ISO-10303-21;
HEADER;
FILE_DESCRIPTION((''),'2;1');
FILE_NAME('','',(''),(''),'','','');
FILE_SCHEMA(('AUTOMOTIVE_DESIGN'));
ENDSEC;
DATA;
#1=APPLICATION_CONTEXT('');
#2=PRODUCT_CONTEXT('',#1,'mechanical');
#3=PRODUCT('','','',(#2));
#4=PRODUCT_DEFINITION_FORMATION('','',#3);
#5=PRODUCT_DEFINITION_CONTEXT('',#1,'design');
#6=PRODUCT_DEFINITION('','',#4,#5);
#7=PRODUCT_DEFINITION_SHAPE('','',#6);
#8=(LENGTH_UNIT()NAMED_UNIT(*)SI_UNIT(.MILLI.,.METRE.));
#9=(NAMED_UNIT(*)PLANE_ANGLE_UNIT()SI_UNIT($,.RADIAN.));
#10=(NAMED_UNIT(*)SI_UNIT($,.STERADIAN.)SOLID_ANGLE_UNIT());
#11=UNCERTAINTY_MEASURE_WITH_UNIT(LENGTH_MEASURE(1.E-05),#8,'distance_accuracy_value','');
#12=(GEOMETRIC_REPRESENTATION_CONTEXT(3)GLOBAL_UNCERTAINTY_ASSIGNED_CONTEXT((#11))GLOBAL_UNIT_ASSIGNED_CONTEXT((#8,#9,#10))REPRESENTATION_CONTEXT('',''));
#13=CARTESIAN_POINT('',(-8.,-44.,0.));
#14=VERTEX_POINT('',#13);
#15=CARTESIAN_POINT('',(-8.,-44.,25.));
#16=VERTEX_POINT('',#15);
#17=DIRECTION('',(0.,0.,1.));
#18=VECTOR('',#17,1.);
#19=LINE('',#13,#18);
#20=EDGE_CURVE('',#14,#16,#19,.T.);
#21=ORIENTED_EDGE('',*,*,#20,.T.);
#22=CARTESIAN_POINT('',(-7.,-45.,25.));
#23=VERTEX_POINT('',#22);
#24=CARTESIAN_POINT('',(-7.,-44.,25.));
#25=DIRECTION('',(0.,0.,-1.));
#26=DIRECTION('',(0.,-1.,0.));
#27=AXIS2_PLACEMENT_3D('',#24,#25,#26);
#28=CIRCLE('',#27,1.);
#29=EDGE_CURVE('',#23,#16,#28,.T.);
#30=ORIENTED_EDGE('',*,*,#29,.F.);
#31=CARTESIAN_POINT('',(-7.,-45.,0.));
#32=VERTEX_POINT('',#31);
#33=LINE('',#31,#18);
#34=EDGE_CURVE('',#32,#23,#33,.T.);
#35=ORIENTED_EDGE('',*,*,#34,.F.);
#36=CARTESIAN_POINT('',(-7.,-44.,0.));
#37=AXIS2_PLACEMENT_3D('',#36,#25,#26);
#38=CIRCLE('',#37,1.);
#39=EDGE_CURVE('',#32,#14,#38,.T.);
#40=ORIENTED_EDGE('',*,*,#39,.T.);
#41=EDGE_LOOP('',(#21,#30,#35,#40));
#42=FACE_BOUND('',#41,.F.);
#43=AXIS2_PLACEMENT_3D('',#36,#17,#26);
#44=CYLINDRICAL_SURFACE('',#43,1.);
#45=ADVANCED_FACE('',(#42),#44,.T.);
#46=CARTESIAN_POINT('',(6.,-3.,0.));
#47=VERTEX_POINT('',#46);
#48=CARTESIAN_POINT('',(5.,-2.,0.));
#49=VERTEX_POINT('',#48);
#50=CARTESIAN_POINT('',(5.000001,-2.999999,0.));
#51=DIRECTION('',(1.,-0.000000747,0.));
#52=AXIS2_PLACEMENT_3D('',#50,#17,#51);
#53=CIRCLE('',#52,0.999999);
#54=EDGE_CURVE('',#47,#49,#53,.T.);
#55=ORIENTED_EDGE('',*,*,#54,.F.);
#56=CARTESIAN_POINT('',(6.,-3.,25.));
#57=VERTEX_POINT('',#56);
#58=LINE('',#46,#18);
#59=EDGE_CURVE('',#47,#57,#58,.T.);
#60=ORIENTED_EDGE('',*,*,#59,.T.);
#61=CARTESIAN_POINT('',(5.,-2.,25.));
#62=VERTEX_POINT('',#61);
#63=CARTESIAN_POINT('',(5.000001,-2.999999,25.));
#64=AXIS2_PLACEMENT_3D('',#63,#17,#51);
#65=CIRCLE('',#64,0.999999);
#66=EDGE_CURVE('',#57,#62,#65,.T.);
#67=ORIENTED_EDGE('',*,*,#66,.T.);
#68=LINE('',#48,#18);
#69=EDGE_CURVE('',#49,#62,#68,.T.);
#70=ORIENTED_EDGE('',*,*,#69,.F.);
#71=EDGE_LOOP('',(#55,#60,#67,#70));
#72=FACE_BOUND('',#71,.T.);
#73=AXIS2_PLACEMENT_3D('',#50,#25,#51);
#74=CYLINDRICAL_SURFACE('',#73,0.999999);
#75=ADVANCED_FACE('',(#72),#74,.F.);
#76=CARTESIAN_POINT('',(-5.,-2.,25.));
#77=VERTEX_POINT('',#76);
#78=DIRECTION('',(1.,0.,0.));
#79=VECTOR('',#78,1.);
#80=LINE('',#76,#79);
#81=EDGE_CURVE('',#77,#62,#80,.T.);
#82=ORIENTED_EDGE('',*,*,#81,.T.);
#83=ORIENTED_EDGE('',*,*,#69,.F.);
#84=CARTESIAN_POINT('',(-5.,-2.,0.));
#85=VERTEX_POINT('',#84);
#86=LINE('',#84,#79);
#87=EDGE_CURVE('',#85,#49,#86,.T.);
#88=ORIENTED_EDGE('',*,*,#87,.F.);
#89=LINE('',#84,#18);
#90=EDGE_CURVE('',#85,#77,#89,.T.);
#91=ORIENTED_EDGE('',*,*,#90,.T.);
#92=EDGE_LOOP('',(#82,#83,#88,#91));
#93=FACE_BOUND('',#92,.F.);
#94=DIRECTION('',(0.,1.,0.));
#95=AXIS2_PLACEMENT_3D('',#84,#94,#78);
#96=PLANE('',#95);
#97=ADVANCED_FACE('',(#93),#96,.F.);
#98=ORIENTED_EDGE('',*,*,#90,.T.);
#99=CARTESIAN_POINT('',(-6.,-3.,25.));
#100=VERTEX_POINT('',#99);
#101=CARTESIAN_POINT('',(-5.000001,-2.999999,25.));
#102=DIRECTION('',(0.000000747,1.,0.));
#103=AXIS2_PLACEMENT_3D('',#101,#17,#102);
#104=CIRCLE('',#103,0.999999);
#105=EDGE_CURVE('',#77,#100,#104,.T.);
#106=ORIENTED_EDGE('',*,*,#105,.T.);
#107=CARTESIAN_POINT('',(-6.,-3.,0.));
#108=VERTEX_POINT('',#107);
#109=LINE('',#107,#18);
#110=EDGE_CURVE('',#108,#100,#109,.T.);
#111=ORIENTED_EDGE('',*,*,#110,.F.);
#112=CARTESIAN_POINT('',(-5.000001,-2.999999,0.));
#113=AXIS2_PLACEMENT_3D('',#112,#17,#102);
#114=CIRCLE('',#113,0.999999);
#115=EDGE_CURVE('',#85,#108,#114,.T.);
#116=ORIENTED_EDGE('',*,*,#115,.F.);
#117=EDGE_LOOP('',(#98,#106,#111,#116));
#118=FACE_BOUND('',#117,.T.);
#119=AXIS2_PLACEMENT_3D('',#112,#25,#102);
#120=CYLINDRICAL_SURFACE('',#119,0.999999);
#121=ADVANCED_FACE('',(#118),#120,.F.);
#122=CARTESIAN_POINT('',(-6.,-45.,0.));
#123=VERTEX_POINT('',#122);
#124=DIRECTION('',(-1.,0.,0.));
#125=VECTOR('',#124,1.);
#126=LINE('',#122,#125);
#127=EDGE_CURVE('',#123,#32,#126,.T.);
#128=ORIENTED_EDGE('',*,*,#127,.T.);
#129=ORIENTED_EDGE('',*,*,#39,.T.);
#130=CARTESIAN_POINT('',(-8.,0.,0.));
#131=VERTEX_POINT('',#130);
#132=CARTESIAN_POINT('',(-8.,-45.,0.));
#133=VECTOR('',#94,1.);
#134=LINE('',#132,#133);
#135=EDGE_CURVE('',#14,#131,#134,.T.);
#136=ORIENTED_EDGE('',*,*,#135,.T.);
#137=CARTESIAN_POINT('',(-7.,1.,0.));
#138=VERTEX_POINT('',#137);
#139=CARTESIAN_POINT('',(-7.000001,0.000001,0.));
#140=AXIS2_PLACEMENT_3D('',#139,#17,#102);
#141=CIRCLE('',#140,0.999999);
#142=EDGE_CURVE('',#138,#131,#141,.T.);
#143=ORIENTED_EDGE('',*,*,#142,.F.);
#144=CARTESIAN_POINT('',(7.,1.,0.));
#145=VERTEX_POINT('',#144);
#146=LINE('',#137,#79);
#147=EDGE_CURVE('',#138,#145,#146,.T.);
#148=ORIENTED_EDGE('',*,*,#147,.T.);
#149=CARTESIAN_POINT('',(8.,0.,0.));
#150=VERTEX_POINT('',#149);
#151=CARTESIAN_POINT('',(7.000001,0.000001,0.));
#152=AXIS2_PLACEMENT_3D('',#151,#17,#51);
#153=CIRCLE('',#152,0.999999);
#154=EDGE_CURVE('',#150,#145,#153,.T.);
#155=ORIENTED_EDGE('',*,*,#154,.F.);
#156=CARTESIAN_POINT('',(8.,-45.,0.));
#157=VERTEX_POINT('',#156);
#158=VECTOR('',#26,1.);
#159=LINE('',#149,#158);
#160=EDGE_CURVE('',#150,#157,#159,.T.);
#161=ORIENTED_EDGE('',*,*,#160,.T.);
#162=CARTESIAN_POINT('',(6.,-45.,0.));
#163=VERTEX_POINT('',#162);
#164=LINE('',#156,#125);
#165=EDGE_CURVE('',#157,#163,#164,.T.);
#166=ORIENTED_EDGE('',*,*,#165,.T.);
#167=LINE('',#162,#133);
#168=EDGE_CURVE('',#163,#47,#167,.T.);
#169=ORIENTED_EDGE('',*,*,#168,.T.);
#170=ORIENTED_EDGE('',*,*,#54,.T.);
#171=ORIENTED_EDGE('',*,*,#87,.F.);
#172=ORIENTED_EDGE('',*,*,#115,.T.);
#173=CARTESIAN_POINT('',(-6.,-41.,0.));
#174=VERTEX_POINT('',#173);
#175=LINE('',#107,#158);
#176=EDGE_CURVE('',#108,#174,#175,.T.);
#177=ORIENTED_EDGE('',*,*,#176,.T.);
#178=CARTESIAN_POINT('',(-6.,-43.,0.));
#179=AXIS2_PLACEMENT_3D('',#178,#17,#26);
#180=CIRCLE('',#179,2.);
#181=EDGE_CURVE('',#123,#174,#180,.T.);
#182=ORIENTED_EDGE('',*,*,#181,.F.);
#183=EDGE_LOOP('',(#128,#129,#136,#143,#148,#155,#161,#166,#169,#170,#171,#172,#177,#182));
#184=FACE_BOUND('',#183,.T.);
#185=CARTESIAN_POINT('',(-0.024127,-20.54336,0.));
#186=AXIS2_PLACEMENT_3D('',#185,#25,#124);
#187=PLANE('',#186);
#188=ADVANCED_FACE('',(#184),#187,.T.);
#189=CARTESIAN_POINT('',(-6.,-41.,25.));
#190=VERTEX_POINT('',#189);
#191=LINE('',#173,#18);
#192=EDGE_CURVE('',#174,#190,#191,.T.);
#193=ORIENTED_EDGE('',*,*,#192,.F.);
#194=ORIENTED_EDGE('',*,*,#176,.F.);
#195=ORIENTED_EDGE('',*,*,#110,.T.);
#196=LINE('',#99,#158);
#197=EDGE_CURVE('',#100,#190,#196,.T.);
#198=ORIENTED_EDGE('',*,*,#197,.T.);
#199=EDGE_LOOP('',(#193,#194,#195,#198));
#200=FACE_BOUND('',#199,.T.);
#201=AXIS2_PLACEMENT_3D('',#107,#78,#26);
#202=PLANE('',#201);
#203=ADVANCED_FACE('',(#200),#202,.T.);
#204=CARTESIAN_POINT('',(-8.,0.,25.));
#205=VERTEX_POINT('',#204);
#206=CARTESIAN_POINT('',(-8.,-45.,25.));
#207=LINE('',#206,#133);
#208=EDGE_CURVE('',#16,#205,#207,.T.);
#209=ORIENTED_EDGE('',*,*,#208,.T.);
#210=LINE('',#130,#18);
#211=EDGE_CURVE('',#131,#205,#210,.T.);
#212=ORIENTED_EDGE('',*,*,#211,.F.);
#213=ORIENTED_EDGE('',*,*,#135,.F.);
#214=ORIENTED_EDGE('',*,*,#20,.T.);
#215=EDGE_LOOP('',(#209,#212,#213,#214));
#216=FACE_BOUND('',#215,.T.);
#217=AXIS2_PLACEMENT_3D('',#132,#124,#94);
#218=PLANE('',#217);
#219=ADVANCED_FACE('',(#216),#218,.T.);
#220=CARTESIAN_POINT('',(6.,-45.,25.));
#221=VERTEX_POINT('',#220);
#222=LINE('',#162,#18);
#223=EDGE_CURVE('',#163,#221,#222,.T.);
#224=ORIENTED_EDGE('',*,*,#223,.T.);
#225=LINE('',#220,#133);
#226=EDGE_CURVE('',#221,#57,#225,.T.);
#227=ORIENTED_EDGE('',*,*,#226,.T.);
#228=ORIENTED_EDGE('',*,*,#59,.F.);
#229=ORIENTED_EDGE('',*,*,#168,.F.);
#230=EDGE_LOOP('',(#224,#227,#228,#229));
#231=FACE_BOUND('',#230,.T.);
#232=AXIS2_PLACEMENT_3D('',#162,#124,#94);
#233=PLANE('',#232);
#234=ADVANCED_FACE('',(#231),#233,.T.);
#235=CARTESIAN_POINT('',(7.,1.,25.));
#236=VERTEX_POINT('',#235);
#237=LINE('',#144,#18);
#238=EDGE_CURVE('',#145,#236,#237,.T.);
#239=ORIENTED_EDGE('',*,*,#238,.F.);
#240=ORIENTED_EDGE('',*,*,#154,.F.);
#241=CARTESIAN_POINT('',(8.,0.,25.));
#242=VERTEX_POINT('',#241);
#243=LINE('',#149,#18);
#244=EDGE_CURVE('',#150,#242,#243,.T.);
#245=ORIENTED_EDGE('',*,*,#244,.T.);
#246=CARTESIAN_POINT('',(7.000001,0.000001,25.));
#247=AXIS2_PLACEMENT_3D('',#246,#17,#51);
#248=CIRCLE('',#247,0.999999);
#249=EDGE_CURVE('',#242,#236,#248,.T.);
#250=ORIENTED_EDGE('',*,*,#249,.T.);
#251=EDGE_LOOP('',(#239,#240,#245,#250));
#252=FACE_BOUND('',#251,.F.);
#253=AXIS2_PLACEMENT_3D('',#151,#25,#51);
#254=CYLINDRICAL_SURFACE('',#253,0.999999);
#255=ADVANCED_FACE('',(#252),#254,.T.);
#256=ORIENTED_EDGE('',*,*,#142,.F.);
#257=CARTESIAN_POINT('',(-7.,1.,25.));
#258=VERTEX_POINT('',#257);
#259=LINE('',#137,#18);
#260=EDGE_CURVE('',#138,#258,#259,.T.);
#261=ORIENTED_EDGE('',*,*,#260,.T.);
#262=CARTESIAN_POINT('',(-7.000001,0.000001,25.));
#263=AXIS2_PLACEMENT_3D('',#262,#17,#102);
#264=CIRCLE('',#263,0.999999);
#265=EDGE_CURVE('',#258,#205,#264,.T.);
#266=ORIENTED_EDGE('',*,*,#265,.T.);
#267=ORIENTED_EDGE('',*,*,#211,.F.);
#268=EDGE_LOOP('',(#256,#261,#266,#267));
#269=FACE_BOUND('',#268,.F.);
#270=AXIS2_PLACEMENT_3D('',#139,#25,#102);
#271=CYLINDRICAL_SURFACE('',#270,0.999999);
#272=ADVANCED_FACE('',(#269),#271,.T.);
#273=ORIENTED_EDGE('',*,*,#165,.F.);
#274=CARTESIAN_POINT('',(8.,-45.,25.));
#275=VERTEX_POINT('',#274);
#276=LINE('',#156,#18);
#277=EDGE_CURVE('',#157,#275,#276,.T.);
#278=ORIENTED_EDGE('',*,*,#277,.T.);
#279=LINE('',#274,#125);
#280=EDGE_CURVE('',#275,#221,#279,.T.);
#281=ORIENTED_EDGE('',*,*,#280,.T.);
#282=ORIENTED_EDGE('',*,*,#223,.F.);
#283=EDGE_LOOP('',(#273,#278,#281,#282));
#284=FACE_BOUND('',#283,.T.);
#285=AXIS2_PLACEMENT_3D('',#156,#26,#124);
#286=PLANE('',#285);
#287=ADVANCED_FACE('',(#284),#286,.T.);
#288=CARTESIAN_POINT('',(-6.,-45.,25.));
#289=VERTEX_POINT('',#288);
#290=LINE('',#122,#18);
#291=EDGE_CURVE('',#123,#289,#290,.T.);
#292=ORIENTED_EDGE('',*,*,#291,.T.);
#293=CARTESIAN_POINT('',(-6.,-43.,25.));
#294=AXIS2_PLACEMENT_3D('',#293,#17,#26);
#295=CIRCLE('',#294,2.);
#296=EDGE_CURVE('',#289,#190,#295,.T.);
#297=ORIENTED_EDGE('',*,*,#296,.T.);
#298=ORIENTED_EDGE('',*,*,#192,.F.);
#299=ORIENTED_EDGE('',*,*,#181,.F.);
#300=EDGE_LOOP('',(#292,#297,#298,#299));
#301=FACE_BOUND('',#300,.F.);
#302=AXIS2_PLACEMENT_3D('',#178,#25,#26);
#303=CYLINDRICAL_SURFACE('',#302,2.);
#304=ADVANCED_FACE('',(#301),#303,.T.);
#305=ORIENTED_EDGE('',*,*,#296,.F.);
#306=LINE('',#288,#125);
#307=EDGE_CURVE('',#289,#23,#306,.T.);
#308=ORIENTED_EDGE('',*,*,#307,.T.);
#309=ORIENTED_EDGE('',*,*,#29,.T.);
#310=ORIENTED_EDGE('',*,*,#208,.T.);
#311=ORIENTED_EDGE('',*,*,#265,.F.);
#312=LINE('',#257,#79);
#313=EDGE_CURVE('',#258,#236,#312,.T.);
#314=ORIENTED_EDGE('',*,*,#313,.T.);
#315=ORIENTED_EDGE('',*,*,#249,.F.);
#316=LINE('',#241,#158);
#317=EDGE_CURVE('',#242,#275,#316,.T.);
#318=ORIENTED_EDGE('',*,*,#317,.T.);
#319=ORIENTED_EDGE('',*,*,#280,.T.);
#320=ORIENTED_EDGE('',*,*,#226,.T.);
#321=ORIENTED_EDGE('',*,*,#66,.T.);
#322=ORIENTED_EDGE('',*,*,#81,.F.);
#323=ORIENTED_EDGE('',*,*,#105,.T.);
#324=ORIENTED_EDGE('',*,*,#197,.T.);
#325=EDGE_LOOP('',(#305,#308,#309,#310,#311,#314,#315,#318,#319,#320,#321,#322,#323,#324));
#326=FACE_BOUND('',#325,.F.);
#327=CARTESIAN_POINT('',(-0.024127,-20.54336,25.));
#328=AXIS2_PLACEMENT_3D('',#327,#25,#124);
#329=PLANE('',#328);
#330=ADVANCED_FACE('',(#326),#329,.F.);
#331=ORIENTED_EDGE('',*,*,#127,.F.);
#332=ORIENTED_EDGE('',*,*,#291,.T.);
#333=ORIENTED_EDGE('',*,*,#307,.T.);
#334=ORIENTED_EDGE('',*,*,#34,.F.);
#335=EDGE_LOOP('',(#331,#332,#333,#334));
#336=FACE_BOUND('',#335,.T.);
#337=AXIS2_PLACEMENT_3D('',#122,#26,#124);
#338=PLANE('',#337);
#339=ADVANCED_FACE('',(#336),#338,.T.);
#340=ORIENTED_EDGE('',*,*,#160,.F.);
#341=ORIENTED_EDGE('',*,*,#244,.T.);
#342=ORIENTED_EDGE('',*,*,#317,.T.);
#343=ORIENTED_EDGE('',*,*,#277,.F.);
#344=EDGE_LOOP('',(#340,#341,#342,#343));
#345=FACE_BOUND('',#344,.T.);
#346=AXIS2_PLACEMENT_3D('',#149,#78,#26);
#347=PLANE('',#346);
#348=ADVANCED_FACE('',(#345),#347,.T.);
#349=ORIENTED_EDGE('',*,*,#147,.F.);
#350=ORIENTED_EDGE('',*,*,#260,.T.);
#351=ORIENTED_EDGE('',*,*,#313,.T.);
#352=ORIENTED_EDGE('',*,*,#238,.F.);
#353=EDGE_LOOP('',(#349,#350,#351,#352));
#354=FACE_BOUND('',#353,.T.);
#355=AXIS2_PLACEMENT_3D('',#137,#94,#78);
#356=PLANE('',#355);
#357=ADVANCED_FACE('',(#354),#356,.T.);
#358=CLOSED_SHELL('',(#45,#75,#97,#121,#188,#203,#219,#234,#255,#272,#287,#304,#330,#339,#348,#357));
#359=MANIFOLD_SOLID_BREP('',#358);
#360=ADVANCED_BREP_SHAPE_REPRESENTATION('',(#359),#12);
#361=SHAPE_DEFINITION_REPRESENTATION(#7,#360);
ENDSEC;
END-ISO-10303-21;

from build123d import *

# Parameters (mm, degrees)
PAD_DEPTH = 25
FILLET_R  = 1


with BuildPart() as part:
    # Sketch → Pad (new body)
    with BuildSketch(Plane.XY):
        with BuildLine():
            Line((8, 0), (8, -45))
            Line((8, -45), (6, -45))
            Line((6, -45), (6, -3))
            ThreePointArc((6, -3), (5.707107, -2.292893), (5, -2))
            Line((-5, -2), (5, -2))
            ThreePointArc((-5, -2), (-5.707107, -2.292893), (-6, -3))
            Line((-6, -3), (-6, -41))
            ThreePointArc((-6, -45), (-4, -43), (-6, -41))
            Line((-6, -45), (-8, -45))
            Line((-8, -45), (-8, 0))
            ThreePointArc((-7, 1), (-7.707107, 0.707107), (-8, 0))
            Line((-7, 1), (7, 1))
            ThreePointArc((8, 0), (7.707107, 0.707107), (7, 1))
        make_face()
    extrude(amount=PAD_DEPTH)

    # Fillet
    fillet_edges = [part.edges().sort_by_distance(p)[0] for p in [
        (-8, -45, 12.5),
    ]]
    fillet(fillet_edges, radius=FILLET_R)


solid = part.part
